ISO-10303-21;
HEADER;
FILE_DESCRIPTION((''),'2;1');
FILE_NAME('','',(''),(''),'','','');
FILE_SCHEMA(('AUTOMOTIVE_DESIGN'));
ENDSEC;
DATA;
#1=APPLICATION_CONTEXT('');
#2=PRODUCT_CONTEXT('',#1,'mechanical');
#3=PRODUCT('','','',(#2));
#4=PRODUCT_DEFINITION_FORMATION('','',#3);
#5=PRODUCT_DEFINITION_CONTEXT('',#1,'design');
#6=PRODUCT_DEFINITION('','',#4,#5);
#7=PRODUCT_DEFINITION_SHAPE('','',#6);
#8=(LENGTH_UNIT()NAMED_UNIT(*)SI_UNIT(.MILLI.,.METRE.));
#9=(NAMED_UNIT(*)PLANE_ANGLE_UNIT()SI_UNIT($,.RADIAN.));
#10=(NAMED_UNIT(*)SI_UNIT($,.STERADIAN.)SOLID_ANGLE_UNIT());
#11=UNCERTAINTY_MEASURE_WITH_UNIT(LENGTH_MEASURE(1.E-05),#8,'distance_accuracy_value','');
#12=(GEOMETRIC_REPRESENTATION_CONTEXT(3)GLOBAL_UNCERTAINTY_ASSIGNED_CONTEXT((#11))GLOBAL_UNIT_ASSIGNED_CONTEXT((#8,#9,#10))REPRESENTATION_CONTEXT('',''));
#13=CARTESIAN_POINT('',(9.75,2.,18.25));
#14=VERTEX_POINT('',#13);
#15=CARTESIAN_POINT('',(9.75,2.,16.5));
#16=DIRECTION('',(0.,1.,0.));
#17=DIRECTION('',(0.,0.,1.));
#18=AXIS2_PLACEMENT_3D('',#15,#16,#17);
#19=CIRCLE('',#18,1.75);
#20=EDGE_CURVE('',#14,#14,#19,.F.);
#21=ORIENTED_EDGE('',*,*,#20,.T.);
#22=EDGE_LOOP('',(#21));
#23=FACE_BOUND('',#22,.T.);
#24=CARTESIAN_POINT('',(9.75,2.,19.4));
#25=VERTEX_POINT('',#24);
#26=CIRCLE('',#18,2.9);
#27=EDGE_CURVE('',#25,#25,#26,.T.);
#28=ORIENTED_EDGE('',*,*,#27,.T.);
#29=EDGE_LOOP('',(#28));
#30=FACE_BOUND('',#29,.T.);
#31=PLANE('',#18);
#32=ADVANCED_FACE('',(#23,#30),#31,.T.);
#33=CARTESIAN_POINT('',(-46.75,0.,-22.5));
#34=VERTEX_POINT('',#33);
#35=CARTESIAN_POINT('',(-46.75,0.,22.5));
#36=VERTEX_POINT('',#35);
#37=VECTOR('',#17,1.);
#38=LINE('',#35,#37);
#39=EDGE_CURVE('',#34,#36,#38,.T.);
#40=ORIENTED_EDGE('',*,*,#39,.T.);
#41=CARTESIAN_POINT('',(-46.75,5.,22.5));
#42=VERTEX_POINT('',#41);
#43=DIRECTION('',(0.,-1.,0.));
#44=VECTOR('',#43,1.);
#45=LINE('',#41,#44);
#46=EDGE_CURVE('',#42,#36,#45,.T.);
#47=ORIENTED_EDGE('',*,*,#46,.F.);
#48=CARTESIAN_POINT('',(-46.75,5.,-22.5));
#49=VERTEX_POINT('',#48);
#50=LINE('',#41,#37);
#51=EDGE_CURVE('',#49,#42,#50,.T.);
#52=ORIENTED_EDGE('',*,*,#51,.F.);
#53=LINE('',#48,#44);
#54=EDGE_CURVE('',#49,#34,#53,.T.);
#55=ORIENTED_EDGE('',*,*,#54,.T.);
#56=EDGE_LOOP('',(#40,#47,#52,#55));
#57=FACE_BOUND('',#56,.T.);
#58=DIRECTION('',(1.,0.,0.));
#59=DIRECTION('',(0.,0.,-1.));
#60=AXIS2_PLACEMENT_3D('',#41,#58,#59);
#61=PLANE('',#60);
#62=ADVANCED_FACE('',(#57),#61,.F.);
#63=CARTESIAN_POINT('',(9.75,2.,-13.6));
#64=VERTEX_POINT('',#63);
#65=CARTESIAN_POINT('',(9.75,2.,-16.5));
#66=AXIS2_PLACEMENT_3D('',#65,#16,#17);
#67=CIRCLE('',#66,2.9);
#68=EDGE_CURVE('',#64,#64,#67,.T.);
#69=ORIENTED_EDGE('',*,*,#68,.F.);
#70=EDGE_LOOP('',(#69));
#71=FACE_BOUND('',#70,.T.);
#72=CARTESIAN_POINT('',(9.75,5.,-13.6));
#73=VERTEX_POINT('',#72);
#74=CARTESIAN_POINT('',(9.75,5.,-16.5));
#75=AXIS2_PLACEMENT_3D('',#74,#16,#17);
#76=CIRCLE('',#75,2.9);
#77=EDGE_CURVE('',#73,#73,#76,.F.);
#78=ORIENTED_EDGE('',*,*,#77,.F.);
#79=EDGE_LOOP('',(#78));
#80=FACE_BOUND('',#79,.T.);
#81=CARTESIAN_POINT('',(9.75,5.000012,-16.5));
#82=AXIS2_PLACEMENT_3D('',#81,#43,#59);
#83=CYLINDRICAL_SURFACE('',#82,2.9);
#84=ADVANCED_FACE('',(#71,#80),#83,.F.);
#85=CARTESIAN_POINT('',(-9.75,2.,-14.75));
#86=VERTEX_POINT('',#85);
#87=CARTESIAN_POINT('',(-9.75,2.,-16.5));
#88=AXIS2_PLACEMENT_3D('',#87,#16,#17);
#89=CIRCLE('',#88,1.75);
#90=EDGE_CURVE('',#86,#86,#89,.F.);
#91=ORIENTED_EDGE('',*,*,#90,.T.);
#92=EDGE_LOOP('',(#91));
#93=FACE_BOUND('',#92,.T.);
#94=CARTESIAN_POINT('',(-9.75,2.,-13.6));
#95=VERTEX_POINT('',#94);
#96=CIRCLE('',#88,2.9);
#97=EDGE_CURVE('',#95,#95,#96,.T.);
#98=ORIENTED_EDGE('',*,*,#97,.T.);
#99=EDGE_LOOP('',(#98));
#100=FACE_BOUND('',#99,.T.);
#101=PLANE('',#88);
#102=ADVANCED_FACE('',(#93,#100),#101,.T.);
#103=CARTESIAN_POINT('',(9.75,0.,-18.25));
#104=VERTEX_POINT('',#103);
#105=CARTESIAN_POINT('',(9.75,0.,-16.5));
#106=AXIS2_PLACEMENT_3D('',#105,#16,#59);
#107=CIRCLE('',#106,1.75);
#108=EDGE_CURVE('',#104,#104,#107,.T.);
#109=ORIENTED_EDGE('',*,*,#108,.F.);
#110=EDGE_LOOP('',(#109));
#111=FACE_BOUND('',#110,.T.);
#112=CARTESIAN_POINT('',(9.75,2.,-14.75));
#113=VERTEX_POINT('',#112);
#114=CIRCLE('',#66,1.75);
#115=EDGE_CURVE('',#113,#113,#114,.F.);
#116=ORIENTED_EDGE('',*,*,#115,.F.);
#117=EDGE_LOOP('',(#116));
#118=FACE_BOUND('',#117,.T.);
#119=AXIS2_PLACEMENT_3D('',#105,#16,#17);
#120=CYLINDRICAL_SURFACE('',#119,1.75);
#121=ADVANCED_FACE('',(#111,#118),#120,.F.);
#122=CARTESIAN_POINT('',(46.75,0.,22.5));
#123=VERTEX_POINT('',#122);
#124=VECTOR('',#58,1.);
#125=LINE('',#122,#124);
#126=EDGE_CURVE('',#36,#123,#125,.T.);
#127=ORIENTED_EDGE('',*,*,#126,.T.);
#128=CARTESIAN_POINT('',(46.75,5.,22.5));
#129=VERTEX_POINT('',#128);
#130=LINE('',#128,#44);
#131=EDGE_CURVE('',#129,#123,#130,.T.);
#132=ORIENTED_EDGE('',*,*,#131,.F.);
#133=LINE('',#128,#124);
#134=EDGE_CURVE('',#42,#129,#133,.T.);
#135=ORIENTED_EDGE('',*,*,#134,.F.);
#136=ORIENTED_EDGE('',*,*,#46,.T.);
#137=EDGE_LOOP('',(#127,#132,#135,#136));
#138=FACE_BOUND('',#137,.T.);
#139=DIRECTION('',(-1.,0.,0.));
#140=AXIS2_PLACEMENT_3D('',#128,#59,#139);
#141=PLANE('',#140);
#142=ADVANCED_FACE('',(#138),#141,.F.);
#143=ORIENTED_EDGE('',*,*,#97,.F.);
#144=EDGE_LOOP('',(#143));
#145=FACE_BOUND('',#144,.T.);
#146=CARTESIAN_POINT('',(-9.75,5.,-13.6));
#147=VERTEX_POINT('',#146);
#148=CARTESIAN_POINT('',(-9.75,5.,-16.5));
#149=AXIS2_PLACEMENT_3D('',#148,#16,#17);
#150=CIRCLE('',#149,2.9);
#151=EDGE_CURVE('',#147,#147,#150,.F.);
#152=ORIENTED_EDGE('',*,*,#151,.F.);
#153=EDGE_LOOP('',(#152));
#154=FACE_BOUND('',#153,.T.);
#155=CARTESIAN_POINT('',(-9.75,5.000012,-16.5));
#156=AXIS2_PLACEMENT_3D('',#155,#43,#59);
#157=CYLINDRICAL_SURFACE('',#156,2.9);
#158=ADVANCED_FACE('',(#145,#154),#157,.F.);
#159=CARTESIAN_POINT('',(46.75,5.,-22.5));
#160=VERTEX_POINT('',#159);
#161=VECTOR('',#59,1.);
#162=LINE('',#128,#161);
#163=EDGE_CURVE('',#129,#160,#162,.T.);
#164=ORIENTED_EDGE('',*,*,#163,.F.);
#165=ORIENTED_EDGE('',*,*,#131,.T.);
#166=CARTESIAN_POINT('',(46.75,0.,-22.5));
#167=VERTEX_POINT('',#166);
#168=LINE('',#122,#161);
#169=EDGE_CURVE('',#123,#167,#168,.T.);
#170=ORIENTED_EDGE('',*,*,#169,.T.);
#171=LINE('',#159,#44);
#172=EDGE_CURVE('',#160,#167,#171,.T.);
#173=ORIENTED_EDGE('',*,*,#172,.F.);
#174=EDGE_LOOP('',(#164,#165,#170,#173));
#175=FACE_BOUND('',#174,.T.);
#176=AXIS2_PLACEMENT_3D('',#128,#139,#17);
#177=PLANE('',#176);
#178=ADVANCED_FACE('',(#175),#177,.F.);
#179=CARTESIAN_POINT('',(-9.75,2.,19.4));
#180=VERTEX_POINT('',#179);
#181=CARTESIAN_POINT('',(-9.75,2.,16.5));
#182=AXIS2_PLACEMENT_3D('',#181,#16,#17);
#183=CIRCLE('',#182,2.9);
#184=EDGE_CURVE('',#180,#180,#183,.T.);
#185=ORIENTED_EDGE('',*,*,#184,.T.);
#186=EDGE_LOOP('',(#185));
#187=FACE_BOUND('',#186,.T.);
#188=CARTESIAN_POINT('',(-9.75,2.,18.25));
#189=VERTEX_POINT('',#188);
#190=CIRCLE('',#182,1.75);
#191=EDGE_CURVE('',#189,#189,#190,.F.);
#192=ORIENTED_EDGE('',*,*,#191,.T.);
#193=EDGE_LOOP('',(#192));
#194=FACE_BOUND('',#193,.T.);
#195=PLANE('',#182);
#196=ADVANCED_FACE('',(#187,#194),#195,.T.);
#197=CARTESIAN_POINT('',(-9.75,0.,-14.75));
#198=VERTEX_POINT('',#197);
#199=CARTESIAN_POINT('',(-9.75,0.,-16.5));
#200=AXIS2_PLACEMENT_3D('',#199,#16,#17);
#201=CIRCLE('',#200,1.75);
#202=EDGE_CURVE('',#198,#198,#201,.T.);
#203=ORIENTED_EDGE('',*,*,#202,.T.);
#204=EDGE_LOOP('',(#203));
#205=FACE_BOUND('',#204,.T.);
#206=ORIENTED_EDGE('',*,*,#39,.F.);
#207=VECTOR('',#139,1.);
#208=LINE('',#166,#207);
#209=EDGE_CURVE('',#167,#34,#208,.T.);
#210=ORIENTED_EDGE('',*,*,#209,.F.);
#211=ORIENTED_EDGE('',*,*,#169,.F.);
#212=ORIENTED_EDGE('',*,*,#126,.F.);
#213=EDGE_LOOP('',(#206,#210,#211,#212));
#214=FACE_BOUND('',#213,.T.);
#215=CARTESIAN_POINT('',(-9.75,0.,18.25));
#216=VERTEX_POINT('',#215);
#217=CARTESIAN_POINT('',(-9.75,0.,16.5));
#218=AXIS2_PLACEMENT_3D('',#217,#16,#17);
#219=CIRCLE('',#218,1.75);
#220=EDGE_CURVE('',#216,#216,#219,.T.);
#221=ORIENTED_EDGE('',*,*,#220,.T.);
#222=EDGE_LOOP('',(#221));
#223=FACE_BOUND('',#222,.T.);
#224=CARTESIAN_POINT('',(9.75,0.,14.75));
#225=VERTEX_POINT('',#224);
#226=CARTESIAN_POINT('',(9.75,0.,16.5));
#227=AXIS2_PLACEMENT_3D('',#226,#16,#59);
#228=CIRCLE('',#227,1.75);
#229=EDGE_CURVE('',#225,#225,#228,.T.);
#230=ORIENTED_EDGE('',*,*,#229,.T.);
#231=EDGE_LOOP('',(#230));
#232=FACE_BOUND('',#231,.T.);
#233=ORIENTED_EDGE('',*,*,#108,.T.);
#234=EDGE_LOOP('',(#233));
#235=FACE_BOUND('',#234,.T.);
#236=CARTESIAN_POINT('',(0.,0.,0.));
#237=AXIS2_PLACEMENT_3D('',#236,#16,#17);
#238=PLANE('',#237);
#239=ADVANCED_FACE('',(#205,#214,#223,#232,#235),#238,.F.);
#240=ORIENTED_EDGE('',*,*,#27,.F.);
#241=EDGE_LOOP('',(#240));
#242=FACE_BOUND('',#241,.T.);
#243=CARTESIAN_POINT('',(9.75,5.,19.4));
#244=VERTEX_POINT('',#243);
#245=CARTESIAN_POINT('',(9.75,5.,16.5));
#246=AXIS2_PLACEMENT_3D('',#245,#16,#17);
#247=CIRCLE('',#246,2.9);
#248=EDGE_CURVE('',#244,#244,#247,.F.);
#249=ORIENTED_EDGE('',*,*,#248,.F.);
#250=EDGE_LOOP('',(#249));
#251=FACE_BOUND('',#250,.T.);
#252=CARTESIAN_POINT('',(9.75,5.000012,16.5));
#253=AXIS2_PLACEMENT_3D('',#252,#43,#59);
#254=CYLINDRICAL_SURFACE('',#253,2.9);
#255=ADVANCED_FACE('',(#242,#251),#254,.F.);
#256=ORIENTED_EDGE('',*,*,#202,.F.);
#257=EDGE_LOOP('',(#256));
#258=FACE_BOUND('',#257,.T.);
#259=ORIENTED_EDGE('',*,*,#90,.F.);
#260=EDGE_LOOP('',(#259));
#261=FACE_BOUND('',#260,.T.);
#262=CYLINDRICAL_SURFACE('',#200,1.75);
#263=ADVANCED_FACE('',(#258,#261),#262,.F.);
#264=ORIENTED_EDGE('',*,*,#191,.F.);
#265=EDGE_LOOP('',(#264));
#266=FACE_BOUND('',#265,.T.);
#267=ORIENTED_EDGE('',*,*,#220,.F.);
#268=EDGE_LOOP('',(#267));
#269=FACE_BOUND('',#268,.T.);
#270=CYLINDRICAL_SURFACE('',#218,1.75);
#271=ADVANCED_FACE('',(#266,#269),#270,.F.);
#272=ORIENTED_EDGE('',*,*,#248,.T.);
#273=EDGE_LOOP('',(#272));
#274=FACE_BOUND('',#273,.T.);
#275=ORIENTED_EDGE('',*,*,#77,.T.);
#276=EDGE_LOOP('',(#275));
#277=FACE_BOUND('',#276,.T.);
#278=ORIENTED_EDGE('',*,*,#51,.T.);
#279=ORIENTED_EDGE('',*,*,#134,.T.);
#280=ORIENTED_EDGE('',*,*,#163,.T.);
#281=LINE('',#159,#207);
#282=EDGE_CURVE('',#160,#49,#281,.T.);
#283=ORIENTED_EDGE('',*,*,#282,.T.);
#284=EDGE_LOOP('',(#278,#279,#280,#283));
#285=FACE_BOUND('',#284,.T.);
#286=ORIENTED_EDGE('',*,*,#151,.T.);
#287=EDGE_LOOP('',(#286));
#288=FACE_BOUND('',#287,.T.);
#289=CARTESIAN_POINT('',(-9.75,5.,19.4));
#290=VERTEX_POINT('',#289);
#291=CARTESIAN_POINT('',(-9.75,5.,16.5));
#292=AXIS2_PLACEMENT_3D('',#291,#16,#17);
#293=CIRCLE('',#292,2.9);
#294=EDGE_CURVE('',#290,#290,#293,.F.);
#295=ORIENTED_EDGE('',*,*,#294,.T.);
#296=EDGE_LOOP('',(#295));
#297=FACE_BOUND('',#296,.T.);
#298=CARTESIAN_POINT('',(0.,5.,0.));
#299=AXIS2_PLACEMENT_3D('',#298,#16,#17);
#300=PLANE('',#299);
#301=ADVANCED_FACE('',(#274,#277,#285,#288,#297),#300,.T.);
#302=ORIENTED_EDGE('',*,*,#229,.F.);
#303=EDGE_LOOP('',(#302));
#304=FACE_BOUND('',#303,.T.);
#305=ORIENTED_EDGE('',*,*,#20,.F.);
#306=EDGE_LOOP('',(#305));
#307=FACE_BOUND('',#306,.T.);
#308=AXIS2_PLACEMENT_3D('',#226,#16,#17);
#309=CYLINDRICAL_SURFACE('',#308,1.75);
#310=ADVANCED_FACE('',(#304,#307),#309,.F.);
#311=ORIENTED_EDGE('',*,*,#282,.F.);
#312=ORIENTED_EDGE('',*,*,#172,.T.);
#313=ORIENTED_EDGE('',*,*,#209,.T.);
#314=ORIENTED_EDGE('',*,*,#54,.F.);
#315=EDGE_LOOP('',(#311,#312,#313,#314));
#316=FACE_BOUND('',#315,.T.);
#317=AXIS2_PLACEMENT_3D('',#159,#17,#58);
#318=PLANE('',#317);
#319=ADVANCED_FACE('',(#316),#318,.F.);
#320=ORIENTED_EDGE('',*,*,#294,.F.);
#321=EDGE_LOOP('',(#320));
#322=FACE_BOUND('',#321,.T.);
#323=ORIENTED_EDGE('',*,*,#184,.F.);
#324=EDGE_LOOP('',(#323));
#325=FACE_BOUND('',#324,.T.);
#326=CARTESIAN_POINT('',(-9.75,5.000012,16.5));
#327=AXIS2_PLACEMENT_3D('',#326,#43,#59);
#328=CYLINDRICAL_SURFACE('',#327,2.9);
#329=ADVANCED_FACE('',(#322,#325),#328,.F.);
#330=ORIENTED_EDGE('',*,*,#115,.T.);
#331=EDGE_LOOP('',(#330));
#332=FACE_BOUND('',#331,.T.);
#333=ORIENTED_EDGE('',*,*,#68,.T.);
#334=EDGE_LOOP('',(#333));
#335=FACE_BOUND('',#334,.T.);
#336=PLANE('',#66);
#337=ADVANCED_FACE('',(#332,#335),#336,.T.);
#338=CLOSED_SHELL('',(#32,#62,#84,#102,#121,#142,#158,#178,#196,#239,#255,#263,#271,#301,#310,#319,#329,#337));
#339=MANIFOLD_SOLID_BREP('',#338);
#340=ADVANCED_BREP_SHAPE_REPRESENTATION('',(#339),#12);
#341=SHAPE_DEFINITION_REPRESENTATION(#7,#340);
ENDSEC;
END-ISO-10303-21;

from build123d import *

# Parameters (mm, degrees)
SKETCH1_W               = 93.5
SKETCH1_H               = 45
BOSS_EXTRUDE1_DEPTH     = 5
SKETCH2_R               = 1.75
CUT_EXTRUDE1_DEPTH      = 1
CUT_EXTRUDE1_DEPTH_BACK = 6
SKETCH3_R               = 2.9
CUT_EXTRUDE2_DEPTH      = 1
CUT_EXTRUDE2_DEPTH_BACK = 3


with BuildPart() as part:
    # Sketch1 → Boss-Extrude1 (new body)
    with BuildSketch(Plane(origin=(0, 0, 0), x_dir=(1, 0, 0), z_dir=(0, 1, 0))):
        Rectangle(SKETCH1_W, SKETCH1_H)
    extrude(amount=BOSS_EXTRUDE1_DEPTH)

    # Sketch2 → Cut-Extrude1 (cut, two sides)
    with BuildSketch(Plane(origin=(0, 5, 0), x_dir=(1, 0, 0), z_dir=(0, 1, 0))) as cut_extrude1_sk:
        with Locations((-9.75, -16.5)):
            Circle(SKETCH2_R)
        with Locations((-9.75, 16.5)):
            Circle(SKETCH2_R)
        with Locations((9.75, -16.5)):
            Circle(SKETCH2_R)
        with Locations((9.75, 16.5)):
            Circle(SKETCH2_R)
    extrude(amount=CUT_EXTRUDE1_DEPTH, mode=Mode.SUBTRACT)
    extrude(cut_extrude1_sk.sketch, amount=-CUT_EXTRUDE1_DEPTH_BACK, mode=Mode.SUBTRACT)

    # Sketch3 → Cut-Extrude2 (cut, two sides)
    with BuildSketch(Plane(origin=(0, 5, 0), x_dir=(1, 0, 0), z_dir=(0, 1, 0))) as cut_extrude2_sk:
        with Locations((-9.75, 16.5)):
            Circle(SKETCH3_R)
        with Locations((9.75, 16.5)):
            Circle(SKETCH3_R)
        with Locations((9.75, -16.5)):
            Circle(SKETCH3_R)
        with Locations((-9.75, -16.5)):
            Circle(SKETCH3_R)
    extrude(amount=CUT_EXTRUDE2_DEPTH, mode=Mode.SUBTRACT)
    extrude(cut_extrude2_sk.sketch, amount=-CUT_EXTRUDE2_DEPTH_BACK, mode=Mode.SUBTRACT)


solid = part.part
